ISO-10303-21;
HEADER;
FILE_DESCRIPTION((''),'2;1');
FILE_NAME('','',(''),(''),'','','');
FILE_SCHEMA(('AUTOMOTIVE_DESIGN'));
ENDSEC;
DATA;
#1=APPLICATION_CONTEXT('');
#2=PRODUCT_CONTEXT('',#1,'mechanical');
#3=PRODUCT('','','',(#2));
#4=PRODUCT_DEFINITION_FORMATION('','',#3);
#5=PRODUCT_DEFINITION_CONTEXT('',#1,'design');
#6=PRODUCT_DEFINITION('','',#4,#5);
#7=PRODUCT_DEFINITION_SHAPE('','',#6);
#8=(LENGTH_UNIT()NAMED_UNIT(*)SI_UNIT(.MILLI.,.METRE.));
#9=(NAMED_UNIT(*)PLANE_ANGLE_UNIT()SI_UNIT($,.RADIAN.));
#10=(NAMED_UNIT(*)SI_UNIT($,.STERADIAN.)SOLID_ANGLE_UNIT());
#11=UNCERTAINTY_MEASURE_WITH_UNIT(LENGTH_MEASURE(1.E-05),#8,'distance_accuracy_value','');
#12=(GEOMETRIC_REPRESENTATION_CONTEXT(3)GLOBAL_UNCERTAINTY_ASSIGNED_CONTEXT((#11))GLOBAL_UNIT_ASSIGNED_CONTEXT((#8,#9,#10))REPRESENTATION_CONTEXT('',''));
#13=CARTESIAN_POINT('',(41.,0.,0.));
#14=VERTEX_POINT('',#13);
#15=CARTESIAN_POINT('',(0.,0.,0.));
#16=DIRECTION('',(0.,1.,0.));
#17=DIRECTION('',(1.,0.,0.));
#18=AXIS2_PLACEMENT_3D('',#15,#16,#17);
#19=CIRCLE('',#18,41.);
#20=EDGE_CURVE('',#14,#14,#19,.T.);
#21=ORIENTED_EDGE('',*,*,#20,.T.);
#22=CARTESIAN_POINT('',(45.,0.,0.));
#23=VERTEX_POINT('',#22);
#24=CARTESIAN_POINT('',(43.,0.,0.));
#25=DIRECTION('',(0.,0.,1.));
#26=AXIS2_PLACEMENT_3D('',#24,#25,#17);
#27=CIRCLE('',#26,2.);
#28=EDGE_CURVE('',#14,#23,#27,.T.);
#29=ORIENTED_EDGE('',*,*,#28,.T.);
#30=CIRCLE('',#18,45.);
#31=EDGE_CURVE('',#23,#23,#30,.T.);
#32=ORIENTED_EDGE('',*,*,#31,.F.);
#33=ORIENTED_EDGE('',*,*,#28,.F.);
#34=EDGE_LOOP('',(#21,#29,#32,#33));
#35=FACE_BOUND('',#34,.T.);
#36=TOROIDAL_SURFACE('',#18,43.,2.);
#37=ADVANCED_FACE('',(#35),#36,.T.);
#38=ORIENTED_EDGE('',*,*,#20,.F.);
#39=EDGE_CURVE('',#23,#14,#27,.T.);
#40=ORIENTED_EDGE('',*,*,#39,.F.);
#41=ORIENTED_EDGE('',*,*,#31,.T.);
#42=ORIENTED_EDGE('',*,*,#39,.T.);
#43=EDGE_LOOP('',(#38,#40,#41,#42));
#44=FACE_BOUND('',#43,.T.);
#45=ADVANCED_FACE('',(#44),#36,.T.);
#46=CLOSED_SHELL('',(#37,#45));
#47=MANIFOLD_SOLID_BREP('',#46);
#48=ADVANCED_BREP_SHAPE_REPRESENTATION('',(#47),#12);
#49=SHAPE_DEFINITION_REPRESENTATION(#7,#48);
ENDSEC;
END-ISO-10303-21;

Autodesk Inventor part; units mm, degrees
ref_plane "YZ Plane" through (0, 0, 0) normal (1, 0, 0) x (0, 1, 0)
ref_plane "XZ Plane" through (0, 0, 0) normal (0, 1, 0) x (-1, 0, 0)
ref_plane "XY Plane" through (0, 0, 0) normal (0, 0, 1) x (1, 0, 0)
sketch "Эскиз1" plane through (0, 0, 0) normal (0, 0, 1) x (1, 0, 0)
  line L0 (0, 0) -> (43, 0)
  circle A0 centre (43, 0) radius 2
  line L1 (0, -2.8) -> (0, 2.8) projected
  dimension "d0" = 43
  dimension "d1" = 4
revolve "Вращение1" add sketch "Эскиз1" angle 360 about axis through (0, -10, 0) along (0, 1, 0)
properties part number "Пружина дросселя" material "Сталь, углеродистая"
